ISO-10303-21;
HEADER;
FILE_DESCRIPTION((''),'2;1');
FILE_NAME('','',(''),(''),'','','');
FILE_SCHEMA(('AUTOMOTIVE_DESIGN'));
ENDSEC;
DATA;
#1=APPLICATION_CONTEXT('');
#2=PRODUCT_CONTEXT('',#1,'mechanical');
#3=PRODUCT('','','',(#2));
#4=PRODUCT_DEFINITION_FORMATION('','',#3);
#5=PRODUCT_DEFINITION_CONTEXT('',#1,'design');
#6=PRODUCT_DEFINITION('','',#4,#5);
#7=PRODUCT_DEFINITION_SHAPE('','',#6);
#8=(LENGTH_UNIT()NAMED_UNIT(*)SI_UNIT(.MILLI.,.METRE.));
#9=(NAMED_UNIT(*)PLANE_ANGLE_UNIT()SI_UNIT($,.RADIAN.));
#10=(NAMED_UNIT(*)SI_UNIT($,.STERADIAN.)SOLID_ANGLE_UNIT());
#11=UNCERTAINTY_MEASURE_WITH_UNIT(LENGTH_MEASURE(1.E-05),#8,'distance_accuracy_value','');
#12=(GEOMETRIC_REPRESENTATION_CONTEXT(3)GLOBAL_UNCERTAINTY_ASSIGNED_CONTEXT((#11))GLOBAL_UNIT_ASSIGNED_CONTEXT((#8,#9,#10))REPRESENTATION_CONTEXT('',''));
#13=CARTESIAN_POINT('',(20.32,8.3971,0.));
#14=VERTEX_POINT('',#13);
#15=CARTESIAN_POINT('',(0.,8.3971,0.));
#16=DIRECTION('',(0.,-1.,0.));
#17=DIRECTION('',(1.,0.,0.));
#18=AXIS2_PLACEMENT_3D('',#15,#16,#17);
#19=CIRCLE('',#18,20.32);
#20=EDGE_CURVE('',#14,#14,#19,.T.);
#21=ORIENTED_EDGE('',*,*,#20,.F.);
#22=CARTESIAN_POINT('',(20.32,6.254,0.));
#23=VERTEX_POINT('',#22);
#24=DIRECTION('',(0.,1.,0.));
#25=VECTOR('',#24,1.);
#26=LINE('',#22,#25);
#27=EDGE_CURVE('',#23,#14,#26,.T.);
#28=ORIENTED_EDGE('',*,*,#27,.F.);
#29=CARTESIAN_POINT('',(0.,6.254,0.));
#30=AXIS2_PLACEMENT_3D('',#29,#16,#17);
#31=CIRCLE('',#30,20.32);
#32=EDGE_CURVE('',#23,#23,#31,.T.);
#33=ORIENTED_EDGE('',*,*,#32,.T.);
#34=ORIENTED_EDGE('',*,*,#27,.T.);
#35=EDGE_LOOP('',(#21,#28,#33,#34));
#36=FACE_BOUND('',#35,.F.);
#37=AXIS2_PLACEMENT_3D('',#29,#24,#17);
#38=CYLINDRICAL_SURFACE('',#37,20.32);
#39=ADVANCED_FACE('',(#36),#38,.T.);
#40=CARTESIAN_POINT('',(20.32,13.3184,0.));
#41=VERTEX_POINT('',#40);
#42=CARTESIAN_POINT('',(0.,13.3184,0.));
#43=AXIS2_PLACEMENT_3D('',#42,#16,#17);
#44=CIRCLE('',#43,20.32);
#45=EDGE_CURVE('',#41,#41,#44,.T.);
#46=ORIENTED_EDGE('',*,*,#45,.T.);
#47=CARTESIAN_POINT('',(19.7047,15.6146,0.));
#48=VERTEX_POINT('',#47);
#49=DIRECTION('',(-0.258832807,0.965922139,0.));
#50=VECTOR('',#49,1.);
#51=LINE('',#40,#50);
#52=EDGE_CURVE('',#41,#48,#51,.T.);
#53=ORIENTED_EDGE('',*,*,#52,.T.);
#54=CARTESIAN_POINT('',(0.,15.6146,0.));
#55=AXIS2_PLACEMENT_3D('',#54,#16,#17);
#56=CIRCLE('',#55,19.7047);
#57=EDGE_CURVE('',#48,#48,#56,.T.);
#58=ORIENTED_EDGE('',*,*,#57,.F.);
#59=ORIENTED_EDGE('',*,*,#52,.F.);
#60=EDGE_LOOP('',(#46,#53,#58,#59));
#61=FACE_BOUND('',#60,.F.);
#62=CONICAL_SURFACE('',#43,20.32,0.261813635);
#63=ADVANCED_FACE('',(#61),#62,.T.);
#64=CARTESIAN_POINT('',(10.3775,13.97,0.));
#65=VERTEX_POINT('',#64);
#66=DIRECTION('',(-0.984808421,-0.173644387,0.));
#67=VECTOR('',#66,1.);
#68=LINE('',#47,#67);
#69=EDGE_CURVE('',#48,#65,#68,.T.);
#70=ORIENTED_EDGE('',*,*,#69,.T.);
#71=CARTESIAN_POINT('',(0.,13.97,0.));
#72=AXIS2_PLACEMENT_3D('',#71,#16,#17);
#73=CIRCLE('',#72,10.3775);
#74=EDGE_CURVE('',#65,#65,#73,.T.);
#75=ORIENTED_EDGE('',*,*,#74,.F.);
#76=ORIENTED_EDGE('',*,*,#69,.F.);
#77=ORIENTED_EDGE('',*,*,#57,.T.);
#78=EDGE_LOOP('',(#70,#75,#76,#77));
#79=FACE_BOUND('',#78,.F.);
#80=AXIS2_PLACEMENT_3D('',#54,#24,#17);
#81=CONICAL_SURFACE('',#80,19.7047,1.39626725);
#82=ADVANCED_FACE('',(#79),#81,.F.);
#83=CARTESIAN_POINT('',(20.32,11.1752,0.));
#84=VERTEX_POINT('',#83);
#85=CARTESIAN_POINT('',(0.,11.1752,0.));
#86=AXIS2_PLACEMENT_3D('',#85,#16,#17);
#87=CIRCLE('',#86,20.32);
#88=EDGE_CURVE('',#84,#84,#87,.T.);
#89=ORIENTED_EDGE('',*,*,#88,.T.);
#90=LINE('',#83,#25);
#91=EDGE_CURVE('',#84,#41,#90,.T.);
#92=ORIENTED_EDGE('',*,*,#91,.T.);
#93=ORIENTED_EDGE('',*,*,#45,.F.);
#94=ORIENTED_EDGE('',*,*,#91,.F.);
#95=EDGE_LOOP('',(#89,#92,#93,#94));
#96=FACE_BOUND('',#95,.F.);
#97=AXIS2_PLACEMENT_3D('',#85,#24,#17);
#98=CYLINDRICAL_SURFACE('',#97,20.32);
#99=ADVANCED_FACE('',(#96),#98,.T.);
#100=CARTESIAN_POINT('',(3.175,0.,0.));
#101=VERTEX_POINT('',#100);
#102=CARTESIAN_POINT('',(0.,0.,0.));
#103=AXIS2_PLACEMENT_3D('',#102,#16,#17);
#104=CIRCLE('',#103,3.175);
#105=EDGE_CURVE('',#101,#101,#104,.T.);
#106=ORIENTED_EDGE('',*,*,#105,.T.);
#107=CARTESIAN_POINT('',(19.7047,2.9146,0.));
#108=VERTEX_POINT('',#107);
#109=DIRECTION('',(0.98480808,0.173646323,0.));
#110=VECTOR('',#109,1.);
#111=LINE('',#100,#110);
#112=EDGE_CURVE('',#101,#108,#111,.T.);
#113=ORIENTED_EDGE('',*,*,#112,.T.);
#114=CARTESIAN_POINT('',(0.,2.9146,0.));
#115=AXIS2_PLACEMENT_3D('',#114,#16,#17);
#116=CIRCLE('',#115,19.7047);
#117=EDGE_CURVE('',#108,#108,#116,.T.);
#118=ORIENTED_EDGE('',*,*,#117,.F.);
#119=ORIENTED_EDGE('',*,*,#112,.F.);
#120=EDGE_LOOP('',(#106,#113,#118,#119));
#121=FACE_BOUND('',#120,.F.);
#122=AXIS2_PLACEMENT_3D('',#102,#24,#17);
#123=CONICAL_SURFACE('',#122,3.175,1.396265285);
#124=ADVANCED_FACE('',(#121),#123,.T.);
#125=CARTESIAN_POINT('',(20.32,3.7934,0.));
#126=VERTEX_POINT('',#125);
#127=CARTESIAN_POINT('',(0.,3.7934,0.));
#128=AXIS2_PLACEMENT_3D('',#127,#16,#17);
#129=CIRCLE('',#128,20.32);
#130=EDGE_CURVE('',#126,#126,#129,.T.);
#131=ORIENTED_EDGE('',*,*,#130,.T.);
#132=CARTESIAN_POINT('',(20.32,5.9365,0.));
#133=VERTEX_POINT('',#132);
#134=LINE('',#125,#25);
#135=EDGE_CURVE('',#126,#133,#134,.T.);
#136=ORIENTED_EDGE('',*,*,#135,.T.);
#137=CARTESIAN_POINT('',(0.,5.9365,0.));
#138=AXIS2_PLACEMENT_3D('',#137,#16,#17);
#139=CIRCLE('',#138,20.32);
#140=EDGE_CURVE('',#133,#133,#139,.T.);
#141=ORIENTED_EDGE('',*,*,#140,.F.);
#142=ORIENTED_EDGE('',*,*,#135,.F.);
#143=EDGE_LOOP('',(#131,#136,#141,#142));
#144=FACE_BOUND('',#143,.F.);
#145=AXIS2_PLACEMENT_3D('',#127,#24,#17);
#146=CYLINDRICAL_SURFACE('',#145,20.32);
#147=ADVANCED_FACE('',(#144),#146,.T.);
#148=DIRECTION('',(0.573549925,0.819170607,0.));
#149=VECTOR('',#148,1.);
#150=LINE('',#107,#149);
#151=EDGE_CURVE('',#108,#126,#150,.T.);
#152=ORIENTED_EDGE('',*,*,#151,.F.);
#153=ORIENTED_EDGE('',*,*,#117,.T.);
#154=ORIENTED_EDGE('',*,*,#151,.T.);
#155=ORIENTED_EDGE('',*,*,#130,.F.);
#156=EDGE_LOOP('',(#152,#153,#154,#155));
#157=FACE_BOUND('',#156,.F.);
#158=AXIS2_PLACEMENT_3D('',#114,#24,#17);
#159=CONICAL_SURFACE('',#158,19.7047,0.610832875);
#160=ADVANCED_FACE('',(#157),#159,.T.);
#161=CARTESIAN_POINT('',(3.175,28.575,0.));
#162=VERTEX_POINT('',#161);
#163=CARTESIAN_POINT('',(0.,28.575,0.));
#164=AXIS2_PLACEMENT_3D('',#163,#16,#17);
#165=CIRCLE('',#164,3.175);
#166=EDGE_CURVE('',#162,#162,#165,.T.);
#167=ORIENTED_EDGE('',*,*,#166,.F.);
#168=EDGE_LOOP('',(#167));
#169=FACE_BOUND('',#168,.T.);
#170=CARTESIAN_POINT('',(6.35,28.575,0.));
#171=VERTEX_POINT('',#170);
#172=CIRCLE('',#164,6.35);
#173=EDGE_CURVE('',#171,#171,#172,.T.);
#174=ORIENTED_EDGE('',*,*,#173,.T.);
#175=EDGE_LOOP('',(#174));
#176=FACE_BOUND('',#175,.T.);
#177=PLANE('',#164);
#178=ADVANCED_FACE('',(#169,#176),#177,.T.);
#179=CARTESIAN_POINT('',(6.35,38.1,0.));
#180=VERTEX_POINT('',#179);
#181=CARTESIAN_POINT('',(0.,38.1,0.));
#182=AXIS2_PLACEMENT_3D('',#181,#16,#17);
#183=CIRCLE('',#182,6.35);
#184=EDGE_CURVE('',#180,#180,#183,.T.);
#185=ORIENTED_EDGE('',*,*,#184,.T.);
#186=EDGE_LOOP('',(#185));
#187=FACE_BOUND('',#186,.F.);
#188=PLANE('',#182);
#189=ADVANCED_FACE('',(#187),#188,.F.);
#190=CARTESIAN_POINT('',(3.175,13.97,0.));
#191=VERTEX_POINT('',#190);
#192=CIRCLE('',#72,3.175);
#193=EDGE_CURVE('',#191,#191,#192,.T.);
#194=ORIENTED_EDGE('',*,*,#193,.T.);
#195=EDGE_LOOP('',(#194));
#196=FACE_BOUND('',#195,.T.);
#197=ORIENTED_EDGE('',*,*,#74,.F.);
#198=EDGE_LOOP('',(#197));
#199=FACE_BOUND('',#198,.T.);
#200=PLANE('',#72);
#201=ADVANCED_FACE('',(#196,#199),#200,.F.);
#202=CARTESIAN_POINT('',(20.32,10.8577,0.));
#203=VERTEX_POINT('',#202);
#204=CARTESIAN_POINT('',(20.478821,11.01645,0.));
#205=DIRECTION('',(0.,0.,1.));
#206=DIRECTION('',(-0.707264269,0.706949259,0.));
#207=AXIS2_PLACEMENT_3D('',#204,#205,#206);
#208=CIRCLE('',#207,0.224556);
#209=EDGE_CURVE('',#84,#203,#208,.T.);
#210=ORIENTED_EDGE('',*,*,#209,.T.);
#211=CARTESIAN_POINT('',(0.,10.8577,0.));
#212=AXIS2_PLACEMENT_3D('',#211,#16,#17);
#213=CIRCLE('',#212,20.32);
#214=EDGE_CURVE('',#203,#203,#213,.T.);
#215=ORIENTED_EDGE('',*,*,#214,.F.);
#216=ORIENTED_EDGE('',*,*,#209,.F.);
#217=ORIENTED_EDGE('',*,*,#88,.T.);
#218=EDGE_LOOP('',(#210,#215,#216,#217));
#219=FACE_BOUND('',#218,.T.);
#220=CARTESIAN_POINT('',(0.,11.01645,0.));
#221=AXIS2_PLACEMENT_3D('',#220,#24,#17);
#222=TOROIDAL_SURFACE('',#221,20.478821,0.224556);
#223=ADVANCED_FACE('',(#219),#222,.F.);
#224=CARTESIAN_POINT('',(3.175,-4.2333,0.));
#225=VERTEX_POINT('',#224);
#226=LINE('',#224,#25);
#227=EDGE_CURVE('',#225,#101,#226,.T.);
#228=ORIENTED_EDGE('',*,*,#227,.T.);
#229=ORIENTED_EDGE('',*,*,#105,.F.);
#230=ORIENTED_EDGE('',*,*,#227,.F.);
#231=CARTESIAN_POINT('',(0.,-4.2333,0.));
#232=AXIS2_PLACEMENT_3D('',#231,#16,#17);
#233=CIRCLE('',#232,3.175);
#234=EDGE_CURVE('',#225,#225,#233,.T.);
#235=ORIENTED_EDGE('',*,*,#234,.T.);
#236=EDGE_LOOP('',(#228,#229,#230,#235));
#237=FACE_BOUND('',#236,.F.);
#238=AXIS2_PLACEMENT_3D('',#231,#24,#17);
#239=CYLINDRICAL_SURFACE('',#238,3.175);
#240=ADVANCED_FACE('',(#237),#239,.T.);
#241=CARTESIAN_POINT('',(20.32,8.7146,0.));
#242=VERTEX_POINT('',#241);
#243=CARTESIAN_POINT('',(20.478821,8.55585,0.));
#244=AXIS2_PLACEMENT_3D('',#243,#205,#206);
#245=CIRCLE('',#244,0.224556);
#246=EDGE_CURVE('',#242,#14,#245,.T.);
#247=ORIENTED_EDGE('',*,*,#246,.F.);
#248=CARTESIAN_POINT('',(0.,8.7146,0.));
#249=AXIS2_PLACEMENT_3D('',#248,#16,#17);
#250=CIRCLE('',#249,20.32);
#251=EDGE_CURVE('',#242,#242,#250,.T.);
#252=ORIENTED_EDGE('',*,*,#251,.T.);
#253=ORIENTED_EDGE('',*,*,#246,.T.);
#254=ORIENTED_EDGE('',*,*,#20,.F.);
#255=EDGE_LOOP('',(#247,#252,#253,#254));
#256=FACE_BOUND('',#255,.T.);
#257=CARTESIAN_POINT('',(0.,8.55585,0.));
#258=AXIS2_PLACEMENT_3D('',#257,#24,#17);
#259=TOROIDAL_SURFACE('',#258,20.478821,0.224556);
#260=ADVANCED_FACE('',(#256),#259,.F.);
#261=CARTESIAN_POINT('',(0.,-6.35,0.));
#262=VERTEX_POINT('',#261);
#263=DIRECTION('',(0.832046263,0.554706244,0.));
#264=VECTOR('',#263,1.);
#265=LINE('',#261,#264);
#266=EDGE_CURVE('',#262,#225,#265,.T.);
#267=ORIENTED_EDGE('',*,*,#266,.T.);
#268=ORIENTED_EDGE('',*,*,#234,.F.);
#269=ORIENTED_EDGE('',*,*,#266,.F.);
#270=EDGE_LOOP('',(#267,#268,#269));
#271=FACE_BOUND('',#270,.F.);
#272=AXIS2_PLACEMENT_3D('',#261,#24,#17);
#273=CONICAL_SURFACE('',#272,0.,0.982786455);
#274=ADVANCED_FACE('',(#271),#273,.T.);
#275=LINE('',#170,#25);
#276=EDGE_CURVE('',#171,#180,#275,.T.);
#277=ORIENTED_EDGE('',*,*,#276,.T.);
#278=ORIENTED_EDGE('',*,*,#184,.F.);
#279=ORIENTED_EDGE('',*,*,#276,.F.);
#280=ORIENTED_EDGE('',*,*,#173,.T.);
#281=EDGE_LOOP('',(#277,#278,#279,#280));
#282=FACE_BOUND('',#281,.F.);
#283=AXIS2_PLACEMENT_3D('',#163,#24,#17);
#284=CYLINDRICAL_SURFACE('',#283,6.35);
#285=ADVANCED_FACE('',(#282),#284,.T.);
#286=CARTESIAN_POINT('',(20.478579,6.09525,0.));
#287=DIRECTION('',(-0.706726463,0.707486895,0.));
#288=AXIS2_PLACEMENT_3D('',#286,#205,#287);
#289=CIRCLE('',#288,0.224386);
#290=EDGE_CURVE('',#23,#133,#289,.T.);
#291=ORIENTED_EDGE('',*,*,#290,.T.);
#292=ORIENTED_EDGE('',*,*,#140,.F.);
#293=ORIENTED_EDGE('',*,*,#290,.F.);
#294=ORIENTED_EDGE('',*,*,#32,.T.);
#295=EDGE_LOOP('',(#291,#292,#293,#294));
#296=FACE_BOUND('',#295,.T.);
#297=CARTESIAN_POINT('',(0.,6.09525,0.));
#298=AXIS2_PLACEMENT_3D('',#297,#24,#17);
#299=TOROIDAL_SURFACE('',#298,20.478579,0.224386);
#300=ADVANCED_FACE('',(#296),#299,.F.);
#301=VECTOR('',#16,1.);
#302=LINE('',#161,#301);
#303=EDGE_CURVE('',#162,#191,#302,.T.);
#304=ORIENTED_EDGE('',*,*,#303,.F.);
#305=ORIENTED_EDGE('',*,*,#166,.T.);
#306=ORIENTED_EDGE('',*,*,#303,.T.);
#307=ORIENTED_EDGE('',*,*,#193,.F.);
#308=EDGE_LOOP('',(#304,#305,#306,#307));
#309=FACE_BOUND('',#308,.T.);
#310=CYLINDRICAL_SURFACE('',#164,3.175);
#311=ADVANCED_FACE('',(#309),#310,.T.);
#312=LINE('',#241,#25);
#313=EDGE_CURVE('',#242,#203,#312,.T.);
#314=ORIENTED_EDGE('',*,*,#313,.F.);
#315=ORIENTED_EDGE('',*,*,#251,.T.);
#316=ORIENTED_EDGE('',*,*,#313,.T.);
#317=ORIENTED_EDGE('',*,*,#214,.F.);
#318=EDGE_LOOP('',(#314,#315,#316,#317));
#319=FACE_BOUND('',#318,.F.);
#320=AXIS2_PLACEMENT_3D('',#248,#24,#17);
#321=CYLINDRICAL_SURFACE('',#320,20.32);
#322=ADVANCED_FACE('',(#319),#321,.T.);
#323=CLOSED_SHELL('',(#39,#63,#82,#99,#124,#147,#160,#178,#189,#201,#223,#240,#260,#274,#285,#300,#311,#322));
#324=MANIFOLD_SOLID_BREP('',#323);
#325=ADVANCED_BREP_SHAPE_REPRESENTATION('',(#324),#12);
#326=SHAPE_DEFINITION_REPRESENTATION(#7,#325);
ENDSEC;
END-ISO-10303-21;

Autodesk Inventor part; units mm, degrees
ref_plane "YZ Plane" through (0, 0, 0) normal (1, 0, 0) x (0, 1, 0)
ref_plane "XZ Plane" through (0, 0, 0) normal (0, 1, 0) x (-1, 0, 0)
ref_plane "XY Plane" through (0, 0, 0) normal (0, 0, 1) x (1, 0, 0)
sketch "Sketch1" plane through (0, 0, 0) normal (0, 0, 1) x (1, 0, 0)
  line L0 (0, 0) -> (0, 28.575)
  line L1 (0, 0) -> (0, -6.35)
  line L2 (0, 28.575) -> (0, 38.1)
  line L3 (6.35, 28.575) -> (6.35, 38.1)
  line L4 (6.35, 38.1) -> (0, 38.1)
  line L5 (3.175, 17.0324) -> (0, 17.0324) construction
  line L6 (6.35, 28.575) -> (3.175, 28.575)
  line L7 (3.175, 28.575) -> (0, 28.575) construction
  line L8 (0, 0) -> (3.175, 0) construction
  line L9 (3.175, 0) -> (3.175, 0) construction
  line L10 (19.7047, 2.9146) -> (20.32, 3.7934)
  line L11 (0, -6.35) -> (3.175, -4.2333)
  line L12 (3.175, -4.2333) -> (3.175, 0)
  line L13 (3.175, 0) -> (19.7047, 2.9146)
  line L14 (3.175, 28.575) -> (3.175, 13.97)
  line L15 (20.32, 8.7146) -> (20.1613, 8.5559) construction
  line L16 (20.1613, 8.5559) -> (20.32, 8.3971) construction
  arc A0 (6.35, 38.1) -> (0, 40.0262) centre (0, 28.5962) ccw
  line L17 (20.32, 6.254) -> (20.1613, 6.0952) construction
  line L18 (20.1613, 6.0952) -> (20.32, 5.9365) construction
  line L19 (20.32, 10.8577) -> (20.1613, 11.0165) construction
  line L20 (20.1613, 11.0165) -> (20.32, 11.1752) construction
  line L21 (20.32, 3.7934) -> (20.32, 5.9365)
  line L22 (20.32, 6.254) -> (20.32, 8.3971)
  line L23 (20.32, 8.7146) -> (20.32, 10.8577)
  line L24 (20.32, 11.1752) -> (20.32, 13.3184)
  line L25 (20.32, 5.9365) -> (20.32, 6.254) construction
  line L26 (20.32, 8.3971) -> (20.32, 8.7146) construction
  line L27 (20.32, 10.8577) -> (20.32, 11.1752) construction
  arc A1 (20.32, 11.1752) -> (20.32, 10.8577) centre (20.4787, 11.0165) ccw
  arc A2 (20.32, 8.7146) -> (20.32, 8.3971) centre (20.4787, 8.5559) ccw
  arc A3 (20.32, 6.254) -> (20.32, 5.9365) centre (20.4787, 6.0952) ccw
  line L28 (20.1613, 8.5559) -> (0, 8.5559) construction
  line L29 (19.7047, 15.6146) -> (10.3775, 13.97)
  line L30 (20.32, 13.3184) -> (19.7047, 15.6146)
  line L31 (3.175, 12.7) -> (3.175, 13.97) construction
  line L32 (3.175, 13.97) -> (10.3775, 13.97)
  line L33 (10.3775, 13.97) -> (3.175, 12.7) construction
  line L34 (3.175, 13.97) -> (3.175, 12.7) construction
  dimension "d5" = 44.45
  dimension "d6" = 9.525
  dimension "d7" = 6.35
  dimension "d12" = 2.1167
  dimension "d13" = 3.175
  dimension "d15" = 4.2333
  dimension "d24" = 10
  dimension "d28" = 3.175
  dimension "d36" = 0.3175
  dimension "d37" = 9.525
  dimension "d40" = 11.43
  dimension "d42" = 20.32
  dimension "d43" = 55
  dimension "d45" = 15.875
  dimension "d46" = 75
  dimension "d47" = 1.27
revolve "Revolution1" add sketch "Sketch1" angle 360 about axis through (0, 28.575, 0) along (0, -1, 0)
properties part number "Top1"
